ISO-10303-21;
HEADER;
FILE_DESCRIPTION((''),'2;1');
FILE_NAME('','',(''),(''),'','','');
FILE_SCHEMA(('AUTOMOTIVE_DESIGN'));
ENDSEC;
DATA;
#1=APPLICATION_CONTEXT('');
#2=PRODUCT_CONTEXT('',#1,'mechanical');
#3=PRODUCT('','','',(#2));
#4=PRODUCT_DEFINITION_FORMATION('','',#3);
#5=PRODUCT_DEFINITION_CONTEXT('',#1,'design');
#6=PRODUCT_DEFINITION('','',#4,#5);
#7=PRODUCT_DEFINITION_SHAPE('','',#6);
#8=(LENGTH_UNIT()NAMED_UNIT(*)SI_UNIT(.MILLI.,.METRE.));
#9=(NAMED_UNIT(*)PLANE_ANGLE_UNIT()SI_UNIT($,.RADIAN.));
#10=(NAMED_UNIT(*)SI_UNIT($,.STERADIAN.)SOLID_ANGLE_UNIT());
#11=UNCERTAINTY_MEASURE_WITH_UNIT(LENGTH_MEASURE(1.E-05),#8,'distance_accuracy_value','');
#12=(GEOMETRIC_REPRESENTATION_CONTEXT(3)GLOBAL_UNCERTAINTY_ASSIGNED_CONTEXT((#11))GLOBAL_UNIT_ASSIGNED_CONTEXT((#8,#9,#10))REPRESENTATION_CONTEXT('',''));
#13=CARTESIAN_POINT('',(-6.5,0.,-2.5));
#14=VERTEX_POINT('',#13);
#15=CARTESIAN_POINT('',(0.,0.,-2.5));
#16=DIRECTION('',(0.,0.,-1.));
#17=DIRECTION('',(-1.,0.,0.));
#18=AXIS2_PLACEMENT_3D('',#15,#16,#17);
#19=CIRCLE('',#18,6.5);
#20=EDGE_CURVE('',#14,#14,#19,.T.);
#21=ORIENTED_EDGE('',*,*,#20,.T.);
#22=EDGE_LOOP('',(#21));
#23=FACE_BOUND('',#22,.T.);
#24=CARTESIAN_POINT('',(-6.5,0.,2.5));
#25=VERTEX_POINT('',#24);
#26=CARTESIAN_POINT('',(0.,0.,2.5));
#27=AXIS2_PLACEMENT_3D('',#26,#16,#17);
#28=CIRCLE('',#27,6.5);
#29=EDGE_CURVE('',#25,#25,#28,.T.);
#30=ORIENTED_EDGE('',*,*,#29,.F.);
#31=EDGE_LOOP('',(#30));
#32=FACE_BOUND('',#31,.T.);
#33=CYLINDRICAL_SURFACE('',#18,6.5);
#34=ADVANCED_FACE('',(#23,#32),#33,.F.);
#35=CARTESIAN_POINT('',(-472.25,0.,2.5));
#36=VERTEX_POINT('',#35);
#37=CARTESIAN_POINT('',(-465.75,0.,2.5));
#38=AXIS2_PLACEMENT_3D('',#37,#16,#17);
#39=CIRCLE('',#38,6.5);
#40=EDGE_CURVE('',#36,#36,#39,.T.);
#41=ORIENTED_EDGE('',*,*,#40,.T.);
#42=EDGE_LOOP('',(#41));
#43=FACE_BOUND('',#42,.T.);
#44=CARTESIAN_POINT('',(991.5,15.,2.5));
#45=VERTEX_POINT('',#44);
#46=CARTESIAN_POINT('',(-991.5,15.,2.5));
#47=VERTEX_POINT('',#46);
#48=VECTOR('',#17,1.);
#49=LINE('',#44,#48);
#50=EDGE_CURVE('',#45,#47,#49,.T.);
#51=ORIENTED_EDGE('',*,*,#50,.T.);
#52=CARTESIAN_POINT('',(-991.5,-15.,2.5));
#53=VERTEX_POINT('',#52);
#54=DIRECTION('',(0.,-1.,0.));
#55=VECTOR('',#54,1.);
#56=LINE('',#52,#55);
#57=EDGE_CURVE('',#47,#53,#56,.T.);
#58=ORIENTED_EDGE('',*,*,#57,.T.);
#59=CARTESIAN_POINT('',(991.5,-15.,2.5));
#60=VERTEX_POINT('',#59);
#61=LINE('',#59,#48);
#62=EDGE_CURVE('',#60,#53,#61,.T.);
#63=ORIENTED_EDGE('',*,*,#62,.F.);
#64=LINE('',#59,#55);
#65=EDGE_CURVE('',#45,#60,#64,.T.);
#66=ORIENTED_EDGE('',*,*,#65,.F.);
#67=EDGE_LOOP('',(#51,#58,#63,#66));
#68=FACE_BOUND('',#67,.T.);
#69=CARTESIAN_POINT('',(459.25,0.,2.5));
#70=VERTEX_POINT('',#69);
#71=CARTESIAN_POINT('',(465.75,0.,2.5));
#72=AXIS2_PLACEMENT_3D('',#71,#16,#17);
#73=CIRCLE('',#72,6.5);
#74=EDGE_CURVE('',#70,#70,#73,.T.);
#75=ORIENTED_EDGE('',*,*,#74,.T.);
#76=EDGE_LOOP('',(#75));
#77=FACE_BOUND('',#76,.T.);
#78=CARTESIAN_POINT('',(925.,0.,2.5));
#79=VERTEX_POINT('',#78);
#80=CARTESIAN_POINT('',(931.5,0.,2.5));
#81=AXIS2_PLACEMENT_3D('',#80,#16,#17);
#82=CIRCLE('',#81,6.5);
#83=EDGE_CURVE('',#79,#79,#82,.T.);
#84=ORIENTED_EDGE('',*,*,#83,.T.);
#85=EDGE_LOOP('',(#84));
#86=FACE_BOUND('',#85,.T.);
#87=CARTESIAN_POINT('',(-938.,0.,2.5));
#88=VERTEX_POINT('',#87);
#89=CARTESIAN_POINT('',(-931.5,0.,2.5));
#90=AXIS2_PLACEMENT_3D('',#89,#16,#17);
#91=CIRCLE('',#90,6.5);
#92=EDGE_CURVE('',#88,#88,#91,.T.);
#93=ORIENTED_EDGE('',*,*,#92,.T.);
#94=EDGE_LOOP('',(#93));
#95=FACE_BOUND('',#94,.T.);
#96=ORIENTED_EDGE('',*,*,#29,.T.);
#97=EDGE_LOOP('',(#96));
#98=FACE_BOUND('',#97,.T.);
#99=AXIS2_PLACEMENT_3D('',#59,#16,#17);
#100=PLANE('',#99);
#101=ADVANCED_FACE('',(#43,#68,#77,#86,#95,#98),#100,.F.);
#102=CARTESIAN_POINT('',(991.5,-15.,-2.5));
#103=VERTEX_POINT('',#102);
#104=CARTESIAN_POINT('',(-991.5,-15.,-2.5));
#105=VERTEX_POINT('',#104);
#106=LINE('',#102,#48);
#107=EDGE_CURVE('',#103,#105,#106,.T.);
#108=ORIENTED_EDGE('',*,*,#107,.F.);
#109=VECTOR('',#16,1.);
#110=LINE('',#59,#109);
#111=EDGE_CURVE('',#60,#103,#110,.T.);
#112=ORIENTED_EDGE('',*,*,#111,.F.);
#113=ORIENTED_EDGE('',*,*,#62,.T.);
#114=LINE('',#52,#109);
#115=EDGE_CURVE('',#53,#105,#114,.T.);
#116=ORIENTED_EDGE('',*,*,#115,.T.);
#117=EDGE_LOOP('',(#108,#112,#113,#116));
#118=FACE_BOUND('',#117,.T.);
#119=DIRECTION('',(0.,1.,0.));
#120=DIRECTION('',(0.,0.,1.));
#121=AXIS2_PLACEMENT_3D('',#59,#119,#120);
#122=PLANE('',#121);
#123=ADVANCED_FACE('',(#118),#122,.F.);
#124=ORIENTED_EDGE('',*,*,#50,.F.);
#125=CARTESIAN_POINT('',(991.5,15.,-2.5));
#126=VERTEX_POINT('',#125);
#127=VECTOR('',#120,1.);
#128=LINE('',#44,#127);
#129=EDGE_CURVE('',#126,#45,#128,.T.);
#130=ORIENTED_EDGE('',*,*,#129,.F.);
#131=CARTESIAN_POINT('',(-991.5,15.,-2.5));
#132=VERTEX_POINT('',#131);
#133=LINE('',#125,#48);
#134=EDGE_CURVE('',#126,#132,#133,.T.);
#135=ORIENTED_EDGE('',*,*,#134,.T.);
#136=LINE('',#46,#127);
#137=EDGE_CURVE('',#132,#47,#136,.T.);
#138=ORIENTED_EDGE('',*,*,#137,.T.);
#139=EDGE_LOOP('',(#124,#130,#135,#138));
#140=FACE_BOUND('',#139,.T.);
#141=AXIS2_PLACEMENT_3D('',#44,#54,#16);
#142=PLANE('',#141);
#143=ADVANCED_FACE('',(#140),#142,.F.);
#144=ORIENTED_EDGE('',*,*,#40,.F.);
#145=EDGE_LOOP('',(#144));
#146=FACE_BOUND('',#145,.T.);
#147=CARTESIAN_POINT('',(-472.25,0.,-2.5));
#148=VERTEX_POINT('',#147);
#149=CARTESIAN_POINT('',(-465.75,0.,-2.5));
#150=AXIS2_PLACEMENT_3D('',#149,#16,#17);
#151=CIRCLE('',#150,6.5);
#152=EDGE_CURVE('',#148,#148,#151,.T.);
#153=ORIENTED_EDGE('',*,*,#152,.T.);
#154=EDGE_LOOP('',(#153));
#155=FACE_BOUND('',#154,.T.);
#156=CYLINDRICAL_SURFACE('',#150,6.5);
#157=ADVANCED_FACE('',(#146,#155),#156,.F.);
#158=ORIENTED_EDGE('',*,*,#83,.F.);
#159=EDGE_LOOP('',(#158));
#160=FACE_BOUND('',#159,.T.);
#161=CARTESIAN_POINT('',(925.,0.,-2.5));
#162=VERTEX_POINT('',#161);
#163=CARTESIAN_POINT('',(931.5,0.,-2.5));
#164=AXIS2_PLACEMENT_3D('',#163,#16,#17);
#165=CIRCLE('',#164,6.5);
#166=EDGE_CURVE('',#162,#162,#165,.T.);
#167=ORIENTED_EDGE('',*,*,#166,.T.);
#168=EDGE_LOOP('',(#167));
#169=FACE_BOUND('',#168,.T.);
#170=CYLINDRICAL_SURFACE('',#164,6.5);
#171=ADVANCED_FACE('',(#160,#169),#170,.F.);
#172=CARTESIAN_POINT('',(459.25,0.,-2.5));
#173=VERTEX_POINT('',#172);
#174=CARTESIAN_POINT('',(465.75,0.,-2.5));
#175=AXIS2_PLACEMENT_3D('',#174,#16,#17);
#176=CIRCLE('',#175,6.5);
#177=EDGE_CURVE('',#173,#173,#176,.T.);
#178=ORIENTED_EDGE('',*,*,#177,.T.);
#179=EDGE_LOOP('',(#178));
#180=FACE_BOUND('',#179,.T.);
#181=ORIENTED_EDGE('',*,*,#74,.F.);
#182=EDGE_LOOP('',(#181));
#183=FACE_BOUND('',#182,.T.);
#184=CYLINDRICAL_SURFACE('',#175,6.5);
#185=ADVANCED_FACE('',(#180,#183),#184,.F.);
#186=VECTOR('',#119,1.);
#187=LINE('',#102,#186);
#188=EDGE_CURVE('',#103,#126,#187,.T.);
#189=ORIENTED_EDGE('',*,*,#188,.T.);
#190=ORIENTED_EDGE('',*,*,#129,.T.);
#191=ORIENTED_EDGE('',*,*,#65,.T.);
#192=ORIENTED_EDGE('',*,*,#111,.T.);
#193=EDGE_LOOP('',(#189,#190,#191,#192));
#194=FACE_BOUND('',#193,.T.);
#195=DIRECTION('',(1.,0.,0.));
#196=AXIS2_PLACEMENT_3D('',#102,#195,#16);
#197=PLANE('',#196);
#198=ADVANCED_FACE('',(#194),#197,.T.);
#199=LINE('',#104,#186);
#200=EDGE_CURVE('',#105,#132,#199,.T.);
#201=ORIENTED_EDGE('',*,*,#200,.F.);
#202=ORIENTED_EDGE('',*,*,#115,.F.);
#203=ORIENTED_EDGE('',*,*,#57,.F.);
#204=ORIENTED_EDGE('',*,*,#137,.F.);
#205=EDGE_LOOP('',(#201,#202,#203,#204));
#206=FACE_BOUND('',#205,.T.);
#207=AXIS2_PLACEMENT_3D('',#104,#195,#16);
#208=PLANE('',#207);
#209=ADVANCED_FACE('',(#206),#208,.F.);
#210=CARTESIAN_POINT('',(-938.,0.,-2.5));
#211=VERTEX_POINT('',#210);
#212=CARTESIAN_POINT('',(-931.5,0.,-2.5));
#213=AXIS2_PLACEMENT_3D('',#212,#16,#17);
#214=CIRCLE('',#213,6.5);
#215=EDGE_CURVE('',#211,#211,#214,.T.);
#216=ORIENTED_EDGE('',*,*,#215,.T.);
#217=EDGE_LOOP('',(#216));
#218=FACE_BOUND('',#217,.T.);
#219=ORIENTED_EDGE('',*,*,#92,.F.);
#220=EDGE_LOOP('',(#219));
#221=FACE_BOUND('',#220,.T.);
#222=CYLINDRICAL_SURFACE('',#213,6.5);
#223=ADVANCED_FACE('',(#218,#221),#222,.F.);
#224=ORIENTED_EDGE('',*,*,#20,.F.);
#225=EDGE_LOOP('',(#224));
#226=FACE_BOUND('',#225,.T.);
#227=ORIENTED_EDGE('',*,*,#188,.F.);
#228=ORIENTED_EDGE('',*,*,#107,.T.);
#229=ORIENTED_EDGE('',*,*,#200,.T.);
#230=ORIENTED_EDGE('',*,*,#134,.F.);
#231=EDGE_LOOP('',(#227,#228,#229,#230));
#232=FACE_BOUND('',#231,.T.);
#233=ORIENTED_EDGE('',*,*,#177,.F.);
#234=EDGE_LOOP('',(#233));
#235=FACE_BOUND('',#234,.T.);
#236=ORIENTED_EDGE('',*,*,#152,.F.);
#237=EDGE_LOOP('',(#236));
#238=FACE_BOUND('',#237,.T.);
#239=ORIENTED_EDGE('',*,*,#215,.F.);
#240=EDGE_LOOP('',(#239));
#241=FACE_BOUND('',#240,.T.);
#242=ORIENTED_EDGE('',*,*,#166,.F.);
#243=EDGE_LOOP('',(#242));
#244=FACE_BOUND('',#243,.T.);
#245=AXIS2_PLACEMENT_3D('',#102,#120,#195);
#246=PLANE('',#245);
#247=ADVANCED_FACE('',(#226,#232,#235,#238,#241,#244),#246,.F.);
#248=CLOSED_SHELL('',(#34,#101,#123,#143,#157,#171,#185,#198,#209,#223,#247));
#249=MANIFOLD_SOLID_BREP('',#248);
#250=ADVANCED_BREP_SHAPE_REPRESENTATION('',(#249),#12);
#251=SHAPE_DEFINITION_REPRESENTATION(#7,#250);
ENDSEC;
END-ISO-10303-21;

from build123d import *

# Parameters (mm, degrees)
PLAT_W                          = 30
PLAT_H                          = 5
EL_MENT_M_CANO_SOUD_1_DEPTH     = 1983
DIAM_TRE_DU_PER_AGE_13_0_13_1_D = 13
R_P_TITION_LIN_AIRE2_COUNT      = 5
R_P_TITION_LIN_AIRE2_PITCH      = 465.75


with BuildPart() as part:
    # plat → Elément mécano-soudé1 (new body)
    with BuildSketch(Plane.YZ.offset(-991.5)):
        Rectangle(PLAT_W, PLAT_H)
    extrude(amount=EL_MENT_M_CANO_SOUD_1_DEPTH)

    # Diamètre du perçage Ø13.0 (13)1 (through all)
    with Locations(Plane(origin=(0, 0, -2.5), x_dir=(-1, 0, 0), z_dir=(0, 0, -1))):
        with Locations((931.5, 0)):
            diam_tre_du_per_age_13_0_13_1 = Hole(DIAM_TRE_DU_PER_AGE_13_0_13_1_D / 2)

    # Répétition linéaire2: Diamètre du perçage Ø13.0 (13)1 ×5
    with Locations(*[(i * R_P_TITION_LIN_AIRE2_PITCH, 0, 0) for i in range(1, R_P_TITION_LIN_AIRE2_COUNT)]):
        add(diam_tre_du_per_age_13_0_13_1, mode=Mode.SUBTRACT)


solid = part.part
